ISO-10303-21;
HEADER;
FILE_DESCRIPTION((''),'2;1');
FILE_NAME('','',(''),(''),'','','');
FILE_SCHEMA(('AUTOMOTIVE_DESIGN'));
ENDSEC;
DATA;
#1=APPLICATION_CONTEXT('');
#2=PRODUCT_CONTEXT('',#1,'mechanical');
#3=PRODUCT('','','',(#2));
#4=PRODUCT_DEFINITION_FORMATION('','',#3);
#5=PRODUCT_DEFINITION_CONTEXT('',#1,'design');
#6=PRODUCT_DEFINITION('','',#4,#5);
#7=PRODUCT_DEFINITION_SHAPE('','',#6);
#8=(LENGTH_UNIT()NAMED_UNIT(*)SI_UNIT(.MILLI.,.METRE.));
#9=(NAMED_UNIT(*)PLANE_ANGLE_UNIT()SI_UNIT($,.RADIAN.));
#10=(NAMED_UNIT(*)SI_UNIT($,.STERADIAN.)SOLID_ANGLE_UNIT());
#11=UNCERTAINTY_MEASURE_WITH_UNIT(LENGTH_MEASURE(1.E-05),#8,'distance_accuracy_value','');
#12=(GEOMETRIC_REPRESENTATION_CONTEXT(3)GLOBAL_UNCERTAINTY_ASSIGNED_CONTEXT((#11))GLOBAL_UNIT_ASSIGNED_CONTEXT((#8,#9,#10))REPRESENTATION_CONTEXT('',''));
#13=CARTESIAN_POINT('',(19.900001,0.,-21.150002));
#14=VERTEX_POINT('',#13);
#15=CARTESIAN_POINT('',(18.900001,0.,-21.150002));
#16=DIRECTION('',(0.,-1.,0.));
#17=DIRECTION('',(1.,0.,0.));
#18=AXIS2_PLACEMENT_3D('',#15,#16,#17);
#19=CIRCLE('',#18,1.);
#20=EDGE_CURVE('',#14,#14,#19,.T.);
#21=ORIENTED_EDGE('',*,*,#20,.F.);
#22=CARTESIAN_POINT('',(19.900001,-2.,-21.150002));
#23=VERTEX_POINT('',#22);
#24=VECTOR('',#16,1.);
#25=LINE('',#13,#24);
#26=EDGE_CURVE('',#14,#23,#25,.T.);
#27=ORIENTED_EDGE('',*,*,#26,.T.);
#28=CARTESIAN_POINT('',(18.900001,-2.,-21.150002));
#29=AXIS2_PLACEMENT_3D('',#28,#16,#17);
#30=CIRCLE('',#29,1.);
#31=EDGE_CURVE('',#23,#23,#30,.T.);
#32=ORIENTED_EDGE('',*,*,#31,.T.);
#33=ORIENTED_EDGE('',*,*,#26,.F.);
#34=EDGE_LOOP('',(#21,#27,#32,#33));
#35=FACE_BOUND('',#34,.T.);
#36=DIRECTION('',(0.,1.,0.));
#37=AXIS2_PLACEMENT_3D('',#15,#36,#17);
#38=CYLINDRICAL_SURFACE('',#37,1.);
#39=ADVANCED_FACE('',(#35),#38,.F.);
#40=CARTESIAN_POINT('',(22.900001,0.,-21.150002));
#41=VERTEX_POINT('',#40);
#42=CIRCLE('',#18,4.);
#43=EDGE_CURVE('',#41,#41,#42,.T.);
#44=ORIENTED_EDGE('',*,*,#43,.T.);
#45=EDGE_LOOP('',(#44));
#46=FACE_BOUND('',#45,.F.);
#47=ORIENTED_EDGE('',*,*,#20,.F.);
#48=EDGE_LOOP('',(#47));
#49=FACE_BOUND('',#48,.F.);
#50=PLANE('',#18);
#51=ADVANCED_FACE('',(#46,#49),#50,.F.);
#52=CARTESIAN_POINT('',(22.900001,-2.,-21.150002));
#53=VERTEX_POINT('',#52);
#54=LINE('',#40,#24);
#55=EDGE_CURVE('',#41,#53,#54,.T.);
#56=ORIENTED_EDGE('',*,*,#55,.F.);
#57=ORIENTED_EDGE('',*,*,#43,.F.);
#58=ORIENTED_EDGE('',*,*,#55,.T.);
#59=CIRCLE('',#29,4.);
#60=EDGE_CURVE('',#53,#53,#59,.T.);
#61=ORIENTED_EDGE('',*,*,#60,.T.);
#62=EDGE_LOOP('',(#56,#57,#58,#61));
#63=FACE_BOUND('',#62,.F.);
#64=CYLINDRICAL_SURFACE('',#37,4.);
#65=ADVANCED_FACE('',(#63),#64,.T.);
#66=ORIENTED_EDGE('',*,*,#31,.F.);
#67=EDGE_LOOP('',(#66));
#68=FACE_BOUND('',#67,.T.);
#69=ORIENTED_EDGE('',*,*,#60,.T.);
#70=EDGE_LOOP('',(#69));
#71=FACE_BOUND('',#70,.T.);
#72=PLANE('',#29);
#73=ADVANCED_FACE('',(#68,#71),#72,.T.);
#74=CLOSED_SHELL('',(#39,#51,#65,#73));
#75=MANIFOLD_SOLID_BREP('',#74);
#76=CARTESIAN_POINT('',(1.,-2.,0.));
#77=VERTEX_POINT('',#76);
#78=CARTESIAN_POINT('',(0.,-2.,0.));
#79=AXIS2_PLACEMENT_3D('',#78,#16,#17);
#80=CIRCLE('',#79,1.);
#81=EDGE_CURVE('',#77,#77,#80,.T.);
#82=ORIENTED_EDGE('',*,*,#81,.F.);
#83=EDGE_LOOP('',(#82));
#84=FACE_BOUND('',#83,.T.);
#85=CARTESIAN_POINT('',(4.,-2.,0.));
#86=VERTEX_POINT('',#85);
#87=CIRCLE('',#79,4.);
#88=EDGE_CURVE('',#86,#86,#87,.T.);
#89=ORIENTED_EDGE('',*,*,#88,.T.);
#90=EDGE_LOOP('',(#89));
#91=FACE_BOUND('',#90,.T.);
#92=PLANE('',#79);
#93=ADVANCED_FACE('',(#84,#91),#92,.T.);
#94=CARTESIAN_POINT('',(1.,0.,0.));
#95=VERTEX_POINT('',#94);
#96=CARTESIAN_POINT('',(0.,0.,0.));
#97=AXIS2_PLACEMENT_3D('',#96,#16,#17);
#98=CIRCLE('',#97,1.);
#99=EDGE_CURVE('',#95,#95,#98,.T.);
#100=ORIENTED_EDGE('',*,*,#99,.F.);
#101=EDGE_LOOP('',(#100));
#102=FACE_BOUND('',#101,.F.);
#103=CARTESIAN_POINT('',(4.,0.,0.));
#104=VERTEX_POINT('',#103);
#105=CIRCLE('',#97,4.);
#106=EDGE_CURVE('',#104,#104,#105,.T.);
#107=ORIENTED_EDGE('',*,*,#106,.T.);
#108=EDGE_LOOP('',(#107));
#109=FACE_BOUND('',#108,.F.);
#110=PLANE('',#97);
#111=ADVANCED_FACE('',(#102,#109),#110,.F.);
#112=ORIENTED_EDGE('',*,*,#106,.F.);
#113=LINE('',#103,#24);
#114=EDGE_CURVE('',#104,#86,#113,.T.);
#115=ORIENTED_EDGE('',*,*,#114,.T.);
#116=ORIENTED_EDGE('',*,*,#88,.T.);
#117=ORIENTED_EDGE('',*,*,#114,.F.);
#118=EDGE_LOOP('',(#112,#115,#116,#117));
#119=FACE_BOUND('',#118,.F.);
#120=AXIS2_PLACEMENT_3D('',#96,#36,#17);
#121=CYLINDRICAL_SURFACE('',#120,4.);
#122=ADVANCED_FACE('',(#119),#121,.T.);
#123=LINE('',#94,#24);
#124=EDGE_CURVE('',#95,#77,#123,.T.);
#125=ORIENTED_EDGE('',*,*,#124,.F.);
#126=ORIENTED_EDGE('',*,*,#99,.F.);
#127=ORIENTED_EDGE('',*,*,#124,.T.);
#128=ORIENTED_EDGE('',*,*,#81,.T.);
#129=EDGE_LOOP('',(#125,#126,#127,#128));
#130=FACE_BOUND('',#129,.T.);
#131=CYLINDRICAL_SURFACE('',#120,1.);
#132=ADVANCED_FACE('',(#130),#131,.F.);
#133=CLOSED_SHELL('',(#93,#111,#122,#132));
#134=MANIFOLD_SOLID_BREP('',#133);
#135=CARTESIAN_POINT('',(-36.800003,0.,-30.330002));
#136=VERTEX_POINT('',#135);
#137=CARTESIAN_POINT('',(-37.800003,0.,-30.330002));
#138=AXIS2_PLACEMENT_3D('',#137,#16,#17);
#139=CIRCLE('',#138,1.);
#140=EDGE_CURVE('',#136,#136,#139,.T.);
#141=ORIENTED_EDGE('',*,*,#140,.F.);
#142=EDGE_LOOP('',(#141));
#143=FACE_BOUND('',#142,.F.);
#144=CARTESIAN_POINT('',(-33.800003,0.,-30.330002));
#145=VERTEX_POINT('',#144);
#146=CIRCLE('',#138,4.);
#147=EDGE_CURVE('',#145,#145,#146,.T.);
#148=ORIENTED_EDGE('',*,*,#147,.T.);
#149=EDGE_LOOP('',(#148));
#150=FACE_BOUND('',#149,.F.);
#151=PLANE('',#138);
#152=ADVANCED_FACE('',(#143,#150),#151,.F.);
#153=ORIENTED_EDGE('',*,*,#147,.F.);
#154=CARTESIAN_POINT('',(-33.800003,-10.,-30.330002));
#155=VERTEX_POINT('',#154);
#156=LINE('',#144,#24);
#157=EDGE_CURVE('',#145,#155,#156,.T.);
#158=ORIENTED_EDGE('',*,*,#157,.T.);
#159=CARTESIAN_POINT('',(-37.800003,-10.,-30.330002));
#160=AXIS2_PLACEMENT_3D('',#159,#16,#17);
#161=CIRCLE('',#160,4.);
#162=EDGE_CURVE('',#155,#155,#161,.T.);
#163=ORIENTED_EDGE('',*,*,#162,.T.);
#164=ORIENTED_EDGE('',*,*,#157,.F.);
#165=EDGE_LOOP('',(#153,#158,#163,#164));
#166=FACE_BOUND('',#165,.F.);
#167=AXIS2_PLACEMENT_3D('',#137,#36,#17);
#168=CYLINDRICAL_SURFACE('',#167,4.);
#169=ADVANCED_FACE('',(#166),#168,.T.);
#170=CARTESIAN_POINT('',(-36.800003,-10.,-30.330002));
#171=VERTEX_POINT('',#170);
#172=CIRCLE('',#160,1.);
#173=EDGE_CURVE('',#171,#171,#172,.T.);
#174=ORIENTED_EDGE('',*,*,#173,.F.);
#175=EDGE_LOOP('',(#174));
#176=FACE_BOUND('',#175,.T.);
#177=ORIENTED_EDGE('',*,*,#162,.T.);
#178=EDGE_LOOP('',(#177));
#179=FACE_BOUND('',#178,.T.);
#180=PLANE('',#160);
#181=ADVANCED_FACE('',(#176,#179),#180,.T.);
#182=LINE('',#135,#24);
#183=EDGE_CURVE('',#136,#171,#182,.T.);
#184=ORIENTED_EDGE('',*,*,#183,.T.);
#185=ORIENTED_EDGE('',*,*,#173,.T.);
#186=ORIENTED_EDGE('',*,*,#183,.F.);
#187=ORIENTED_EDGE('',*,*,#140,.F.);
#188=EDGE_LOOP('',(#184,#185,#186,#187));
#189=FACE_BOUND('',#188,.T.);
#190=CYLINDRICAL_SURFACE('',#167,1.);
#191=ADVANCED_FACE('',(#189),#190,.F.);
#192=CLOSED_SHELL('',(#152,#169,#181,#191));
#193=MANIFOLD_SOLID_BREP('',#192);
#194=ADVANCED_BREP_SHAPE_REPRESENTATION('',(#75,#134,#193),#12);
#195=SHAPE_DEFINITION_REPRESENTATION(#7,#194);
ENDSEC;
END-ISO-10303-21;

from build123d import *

# Parameters (mm, degrees)
F0_R     = 4
F0_R_2   = 1
F1_DEPTH = 2
F2_R     = 4
F2_R_2   = 1
F3_DEPTH = 10
F4_R     = 4
F4_R_2   = 1
F5_DEPTH = 2


with BuildPart() as f1:
    # F0 (on Front) → F1 (new body)
    with BuildSketch(Plane.XZ):
        Circle(F0_R)
        Circle(F0_R_2, mode=Mode.SUBTRACT)
    extrude(amount=F1_DEPTH)


with BuildPart() as f3:
    # F2 (on Front) → F3 (new body)
    with BuildSketch(Plane.XZ):
        with Locations((-37.800003, -30.330002)):
            Circle(F2_R)
        with Locations((-37.800003, -30.330002)):
            Circle(F2_R_2, mode=Mode.SUBTRACT)
    extrude(amount=F3_DEPTH)


with BuildPart() as f5:
    # F4 (on Front) → F5 (new body)
    with BuildSketch(Plane.XZ):
        with Locations((18.900001, -21.150002)):
            Circle(F4_R)
        with Locations((18.900001, -21.150002)):
            Circle(F4_R_2, mode=Mode.SUBTRACT)
    extrude(amount=F5_DEPTH)


solid = Compound([f1.part, f3.part, f5.part])
